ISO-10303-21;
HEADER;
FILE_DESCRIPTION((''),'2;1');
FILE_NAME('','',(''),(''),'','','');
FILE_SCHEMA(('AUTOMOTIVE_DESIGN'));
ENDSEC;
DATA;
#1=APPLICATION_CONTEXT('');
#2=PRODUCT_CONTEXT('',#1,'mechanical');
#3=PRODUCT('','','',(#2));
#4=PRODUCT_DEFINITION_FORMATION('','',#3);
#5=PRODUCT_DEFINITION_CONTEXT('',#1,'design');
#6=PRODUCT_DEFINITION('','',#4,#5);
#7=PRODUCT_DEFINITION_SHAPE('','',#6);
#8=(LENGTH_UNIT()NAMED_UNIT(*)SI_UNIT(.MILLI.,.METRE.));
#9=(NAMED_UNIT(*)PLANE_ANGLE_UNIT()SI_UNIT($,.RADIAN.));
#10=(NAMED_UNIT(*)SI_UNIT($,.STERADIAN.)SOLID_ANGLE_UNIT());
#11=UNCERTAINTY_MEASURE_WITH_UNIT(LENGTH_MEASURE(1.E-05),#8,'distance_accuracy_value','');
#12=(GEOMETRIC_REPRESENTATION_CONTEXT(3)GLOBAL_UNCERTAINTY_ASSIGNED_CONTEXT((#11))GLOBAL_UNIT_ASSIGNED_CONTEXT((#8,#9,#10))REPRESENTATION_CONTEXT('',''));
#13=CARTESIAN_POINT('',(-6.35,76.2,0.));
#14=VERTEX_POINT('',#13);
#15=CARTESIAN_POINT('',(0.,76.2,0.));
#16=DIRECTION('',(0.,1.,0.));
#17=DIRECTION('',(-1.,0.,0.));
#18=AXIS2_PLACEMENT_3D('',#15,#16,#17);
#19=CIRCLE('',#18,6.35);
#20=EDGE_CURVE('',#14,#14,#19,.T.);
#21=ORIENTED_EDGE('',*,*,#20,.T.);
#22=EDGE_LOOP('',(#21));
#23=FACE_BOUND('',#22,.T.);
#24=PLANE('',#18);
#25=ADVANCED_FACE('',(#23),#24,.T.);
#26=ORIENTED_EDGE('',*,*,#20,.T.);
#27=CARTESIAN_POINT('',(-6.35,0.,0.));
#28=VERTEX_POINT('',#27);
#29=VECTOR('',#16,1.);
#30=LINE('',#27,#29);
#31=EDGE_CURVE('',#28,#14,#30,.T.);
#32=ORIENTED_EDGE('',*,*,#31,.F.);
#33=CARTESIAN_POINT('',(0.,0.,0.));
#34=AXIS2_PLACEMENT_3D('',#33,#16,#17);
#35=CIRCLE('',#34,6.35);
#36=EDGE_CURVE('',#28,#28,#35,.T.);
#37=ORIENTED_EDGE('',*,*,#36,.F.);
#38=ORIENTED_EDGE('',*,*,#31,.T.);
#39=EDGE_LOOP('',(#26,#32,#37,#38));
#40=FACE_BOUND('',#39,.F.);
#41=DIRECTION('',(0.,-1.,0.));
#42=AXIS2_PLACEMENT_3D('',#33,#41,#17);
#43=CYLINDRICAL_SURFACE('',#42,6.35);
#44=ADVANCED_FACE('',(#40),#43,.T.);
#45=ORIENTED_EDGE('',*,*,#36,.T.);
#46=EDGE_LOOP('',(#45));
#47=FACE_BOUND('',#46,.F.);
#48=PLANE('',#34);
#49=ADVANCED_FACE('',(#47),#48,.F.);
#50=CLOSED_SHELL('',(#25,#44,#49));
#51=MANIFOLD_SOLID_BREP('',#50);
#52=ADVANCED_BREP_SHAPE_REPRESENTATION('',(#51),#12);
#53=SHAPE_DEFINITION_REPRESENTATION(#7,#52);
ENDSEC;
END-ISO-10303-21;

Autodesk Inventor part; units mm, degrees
ref_plane "YZ Plane" through (0, 0, 0) normal (1, 0, 0) x (0, 1, 0)
ref_plane "XZ Plane" through (0, 0, 0) normal (0, 1, 0) x (-1, 0, 0)
ref_plane "XY Plane" through (0, 0, 0) normal (0, 0, 1) x (1, 0, 0)
sketch "Sketch1" plane through (0, 0, 0) normal (0, 1, 0) x (-1, 0, 0)
  circle A0 centre (0, 0) radius 6.35
  dimension "d0" = 12.7
extrude "Extrusion1" add sketch "Sketch1" along normal blind 76.2
properties part number "Rod"
